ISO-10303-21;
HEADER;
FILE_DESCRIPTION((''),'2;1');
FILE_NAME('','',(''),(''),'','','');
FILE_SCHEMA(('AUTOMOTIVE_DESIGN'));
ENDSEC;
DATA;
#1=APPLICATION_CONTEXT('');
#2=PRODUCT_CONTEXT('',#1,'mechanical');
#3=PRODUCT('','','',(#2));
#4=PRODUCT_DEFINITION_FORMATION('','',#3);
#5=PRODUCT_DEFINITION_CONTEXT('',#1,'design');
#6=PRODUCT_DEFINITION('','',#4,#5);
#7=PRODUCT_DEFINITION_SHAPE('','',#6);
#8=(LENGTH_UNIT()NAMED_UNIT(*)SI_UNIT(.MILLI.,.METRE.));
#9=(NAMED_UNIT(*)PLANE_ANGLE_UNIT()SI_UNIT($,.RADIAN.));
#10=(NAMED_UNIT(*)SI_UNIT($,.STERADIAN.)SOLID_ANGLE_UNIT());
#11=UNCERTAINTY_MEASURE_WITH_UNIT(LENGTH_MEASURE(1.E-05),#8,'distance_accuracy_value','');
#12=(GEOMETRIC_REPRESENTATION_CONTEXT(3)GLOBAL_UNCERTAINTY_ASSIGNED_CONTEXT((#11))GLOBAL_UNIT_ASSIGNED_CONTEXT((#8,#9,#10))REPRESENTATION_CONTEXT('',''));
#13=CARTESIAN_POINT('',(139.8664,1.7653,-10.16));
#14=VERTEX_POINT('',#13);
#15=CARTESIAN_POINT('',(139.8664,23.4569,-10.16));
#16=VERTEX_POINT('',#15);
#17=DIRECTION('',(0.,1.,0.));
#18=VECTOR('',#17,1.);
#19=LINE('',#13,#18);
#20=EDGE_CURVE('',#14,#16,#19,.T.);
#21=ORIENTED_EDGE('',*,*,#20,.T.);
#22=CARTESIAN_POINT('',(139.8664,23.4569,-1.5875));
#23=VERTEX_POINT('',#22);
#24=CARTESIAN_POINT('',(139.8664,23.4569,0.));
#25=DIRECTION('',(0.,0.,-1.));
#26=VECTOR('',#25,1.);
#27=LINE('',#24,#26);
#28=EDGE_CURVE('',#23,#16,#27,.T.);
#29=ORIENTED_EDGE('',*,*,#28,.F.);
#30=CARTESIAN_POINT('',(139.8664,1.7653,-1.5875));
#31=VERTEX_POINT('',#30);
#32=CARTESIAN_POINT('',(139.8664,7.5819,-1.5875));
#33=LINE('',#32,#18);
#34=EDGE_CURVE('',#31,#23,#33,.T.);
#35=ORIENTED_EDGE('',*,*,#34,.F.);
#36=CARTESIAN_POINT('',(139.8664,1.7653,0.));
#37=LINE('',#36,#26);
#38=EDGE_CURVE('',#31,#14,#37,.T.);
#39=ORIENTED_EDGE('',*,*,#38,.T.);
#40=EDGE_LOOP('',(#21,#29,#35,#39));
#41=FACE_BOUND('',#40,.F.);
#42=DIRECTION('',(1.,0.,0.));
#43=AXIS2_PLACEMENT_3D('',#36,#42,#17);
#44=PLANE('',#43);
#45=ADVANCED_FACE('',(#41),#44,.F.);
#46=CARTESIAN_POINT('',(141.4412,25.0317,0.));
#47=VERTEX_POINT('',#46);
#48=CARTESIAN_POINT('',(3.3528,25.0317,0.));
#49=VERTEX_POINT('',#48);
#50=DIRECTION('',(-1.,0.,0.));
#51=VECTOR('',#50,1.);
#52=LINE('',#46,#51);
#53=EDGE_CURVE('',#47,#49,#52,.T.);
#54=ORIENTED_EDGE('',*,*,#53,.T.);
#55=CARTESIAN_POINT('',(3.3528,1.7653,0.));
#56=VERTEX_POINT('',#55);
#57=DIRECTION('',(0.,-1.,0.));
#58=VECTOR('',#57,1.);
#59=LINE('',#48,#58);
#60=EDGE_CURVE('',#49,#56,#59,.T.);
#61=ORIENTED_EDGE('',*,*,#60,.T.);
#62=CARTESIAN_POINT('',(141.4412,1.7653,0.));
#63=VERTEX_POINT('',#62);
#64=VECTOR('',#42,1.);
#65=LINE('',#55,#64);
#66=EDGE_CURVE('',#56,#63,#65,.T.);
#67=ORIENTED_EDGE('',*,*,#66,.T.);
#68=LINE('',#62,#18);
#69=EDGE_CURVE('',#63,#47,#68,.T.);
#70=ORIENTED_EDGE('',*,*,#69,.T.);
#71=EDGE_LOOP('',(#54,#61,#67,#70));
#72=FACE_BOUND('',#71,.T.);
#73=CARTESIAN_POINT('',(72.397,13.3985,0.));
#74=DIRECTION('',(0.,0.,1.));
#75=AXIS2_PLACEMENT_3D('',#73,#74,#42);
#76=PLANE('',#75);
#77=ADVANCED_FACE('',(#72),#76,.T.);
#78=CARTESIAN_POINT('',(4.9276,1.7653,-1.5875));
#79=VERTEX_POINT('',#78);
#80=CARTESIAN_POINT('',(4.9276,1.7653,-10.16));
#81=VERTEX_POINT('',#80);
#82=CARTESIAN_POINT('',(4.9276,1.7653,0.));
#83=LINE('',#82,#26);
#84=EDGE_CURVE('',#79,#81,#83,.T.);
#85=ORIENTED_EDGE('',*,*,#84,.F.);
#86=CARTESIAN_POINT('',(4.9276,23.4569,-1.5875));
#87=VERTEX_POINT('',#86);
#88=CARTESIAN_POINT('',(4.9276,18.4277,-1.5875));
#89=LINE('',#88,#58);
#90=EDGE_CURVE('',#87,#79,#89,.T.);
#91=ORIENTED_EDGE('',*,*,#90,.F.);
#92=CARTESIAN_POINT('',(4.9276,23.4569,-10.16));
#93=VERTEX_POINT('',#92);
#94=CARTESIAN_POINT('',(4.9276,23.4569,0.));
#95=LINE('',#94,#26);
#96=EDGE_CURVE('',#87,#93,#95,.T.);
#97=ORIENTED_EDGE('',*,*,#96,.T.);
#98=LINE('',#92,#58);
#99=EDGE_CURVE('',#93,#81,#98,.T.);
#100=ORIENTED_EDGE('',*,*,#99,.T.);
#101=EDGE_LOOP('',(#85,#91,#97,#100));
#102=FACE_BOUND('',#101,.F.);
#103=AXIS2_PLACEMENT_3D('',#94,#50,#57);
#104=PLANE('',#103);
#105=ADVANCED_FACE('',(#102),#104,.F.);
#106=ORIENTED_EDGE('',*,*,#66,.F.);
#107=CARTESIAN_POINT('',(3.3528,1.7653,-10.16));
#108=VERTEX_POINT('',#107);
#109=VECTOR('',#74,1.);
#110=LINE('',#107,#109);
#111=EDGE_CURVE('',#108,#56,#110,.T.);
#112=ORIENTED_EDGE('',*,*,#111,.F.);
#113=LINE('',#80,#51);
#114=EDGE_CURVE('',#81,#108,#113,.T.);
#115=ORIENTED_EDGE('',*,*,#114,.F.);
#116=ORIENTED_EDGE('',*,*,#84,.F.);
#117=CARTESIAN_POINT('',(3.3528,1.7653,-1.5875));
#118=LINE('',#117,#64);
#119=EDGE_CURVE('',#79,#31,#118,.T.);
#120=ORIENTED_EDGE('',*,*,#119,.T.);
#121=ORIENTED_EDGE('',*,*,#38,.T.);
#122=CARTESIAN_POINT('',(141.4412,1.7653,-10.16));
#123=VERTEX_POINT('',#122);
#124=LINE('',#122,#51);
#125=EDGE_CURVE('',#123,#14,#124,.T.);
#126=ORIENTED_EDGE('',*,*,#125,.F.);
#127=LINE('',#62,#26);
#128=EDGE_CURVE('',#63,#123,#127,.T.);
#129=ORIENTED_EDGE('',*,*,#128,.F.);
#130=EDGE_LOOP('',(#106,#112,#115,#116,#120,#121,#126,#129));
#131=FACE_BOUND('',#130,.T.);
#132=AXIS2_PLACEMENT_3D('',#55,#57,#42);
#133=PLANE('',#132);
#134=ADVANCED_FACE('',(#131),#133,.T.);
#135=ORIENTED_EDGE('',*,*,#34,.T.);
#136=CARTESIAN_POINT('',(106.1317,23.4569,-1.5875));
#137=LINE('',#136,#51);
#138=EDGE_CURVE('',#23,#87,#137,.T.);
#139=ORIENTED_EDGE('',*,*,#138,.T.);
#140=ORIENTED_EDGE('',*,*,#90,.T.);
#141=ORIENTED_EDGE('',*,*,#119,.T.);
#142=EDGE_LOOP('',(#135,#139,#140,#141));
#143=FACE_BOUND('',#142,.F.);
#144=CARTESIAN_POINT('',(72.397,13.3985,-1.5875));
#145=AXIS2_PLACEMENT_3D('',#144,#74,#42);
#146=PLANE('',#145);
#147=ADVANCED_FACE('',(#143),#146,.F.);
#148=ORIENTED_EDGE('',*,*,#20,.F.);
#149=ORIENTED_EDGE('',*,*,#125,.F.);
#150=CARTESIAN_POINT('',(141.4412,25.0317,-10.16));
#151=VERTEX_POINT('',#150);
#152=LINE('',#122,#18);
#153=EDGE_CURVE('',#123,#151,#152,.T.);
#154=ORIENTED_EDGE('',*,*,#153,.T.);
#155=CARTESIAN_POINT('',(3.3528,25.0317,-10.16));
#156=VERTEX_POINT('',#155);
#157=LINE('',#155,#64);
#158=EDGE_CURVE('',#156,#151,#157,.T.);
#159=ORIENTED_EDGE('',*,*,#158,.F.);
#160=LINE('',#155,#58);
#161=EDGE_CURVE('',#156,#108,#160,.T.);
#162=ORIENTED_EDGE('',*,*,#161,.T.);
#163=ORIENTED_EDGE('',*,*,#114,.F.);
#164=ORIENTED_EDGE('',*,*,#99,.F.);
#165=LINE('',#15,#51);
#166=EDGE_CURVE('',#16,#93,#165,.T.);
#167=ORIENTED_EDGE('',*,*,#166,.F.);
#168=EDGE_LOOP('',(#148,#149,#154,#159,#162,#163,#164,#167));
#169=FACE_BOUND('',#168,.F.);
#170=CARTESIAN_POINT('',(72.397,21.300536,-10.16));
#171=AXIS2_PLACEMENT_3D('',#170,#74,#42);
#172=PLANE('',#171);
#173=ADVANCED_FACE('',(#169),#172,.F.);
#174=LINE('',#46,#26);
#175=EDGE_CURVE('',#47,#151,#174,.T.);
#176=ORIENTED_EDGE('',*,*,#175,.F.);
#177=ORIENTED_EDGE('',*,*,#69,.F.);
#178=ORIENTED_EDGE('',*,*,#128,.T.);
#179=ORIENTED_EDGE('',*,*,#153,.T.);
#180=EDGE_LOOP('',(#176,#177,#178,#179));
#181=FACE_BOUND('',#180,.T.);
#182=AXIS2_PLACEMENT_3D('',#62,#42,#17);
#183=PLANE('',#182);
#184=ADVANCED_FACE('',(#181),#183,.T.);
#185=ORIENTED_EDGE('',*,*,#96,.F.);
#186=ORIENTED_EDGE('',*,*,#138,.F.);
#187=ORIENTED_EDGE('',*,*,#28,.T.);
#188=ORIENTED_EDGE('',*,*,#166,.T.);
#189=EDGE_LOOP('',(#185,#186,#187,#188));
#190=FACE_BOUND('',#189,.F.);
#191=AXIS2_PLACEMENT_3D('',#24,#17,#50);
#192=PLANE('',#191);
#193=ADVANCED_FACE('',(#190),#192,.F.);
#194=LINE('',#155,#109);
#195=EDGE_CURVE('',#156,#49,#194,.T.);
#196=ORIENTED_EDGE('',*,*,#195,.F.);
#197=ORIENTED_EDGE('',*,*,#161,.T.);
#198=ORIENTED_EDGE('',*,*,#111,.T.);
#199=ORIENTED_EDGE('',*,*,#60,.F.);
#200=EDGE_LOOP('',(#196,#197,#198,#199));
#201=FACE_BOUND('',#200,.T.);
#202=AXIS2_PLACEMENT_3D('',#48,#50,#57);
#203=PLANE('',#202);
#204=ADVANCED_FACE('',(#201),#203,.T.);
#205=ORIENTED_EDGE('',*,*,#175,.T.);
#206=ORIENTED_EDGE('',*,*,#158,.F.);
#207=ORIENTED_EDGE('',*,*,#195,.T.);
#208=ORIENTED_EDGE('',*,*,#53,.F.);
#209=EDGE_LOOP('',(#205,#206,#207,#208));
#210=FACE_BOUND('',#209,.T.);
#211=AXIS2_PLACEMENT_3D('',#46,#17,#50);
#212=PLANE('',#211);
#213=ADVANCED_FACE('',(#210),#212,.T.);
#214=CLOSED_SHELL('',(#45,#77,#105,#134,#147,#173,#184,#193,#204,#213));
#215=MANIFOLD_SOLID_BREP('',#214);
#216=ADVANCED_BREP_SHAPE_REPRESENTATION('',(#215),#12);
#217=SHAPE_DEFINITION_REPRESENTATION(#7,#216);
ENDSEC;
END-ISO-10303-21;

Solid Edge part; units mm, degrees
sketch "Sketch1" plane through (0, 0, 0) normal (0, 0, 1) x (1, 0, 0)
  line L0 (141.4412, 25.0317) -> (3.3528, 25.0317)
  line L1 (3.3528, 25.0317) -> (3.3528, 1.7653)
  line L2 (3.3528, 1.7653) -> (141.4412, 1.7653)
  line L3 (141.4412, 1.7653) -> (141.4412, 25.0317)
extrude "Protrusion1" add sketch "Sketch1" against normal blind 1.5875
sketch "Sketch2" plane through (72.397, 13.3985, 0) normal (0, 0, 1) x (-1, 0, 0)
  line L0 (-69.0442, 11.6332) -> (-69.0442, -11.6332)
  line L1 (69.0442, -11.6332) -> (-69.0442, -11.6332)
  line L2 (69.0442, -11.6332) -> (69.0442, 11.6332)
  line L3 (67.4694, 11.6332) -> (69.0442, 11.6332)
  line L4 (67.4694, -10.0584) -> (67.4694, 11.6332)
  line L5 (-67.4694, -10.0584) -> (67.4694, -10.0584)
  line L6 (-67.4694, 11.6332) -> (-67.4694, -10.0584)
  line L7 (-69.0442, 11.6332) -> (-67.4694, 11.6332)
extrude "ExtrudedProtrusion_2" add sketch "Sketch2" against normal blind 10.16
